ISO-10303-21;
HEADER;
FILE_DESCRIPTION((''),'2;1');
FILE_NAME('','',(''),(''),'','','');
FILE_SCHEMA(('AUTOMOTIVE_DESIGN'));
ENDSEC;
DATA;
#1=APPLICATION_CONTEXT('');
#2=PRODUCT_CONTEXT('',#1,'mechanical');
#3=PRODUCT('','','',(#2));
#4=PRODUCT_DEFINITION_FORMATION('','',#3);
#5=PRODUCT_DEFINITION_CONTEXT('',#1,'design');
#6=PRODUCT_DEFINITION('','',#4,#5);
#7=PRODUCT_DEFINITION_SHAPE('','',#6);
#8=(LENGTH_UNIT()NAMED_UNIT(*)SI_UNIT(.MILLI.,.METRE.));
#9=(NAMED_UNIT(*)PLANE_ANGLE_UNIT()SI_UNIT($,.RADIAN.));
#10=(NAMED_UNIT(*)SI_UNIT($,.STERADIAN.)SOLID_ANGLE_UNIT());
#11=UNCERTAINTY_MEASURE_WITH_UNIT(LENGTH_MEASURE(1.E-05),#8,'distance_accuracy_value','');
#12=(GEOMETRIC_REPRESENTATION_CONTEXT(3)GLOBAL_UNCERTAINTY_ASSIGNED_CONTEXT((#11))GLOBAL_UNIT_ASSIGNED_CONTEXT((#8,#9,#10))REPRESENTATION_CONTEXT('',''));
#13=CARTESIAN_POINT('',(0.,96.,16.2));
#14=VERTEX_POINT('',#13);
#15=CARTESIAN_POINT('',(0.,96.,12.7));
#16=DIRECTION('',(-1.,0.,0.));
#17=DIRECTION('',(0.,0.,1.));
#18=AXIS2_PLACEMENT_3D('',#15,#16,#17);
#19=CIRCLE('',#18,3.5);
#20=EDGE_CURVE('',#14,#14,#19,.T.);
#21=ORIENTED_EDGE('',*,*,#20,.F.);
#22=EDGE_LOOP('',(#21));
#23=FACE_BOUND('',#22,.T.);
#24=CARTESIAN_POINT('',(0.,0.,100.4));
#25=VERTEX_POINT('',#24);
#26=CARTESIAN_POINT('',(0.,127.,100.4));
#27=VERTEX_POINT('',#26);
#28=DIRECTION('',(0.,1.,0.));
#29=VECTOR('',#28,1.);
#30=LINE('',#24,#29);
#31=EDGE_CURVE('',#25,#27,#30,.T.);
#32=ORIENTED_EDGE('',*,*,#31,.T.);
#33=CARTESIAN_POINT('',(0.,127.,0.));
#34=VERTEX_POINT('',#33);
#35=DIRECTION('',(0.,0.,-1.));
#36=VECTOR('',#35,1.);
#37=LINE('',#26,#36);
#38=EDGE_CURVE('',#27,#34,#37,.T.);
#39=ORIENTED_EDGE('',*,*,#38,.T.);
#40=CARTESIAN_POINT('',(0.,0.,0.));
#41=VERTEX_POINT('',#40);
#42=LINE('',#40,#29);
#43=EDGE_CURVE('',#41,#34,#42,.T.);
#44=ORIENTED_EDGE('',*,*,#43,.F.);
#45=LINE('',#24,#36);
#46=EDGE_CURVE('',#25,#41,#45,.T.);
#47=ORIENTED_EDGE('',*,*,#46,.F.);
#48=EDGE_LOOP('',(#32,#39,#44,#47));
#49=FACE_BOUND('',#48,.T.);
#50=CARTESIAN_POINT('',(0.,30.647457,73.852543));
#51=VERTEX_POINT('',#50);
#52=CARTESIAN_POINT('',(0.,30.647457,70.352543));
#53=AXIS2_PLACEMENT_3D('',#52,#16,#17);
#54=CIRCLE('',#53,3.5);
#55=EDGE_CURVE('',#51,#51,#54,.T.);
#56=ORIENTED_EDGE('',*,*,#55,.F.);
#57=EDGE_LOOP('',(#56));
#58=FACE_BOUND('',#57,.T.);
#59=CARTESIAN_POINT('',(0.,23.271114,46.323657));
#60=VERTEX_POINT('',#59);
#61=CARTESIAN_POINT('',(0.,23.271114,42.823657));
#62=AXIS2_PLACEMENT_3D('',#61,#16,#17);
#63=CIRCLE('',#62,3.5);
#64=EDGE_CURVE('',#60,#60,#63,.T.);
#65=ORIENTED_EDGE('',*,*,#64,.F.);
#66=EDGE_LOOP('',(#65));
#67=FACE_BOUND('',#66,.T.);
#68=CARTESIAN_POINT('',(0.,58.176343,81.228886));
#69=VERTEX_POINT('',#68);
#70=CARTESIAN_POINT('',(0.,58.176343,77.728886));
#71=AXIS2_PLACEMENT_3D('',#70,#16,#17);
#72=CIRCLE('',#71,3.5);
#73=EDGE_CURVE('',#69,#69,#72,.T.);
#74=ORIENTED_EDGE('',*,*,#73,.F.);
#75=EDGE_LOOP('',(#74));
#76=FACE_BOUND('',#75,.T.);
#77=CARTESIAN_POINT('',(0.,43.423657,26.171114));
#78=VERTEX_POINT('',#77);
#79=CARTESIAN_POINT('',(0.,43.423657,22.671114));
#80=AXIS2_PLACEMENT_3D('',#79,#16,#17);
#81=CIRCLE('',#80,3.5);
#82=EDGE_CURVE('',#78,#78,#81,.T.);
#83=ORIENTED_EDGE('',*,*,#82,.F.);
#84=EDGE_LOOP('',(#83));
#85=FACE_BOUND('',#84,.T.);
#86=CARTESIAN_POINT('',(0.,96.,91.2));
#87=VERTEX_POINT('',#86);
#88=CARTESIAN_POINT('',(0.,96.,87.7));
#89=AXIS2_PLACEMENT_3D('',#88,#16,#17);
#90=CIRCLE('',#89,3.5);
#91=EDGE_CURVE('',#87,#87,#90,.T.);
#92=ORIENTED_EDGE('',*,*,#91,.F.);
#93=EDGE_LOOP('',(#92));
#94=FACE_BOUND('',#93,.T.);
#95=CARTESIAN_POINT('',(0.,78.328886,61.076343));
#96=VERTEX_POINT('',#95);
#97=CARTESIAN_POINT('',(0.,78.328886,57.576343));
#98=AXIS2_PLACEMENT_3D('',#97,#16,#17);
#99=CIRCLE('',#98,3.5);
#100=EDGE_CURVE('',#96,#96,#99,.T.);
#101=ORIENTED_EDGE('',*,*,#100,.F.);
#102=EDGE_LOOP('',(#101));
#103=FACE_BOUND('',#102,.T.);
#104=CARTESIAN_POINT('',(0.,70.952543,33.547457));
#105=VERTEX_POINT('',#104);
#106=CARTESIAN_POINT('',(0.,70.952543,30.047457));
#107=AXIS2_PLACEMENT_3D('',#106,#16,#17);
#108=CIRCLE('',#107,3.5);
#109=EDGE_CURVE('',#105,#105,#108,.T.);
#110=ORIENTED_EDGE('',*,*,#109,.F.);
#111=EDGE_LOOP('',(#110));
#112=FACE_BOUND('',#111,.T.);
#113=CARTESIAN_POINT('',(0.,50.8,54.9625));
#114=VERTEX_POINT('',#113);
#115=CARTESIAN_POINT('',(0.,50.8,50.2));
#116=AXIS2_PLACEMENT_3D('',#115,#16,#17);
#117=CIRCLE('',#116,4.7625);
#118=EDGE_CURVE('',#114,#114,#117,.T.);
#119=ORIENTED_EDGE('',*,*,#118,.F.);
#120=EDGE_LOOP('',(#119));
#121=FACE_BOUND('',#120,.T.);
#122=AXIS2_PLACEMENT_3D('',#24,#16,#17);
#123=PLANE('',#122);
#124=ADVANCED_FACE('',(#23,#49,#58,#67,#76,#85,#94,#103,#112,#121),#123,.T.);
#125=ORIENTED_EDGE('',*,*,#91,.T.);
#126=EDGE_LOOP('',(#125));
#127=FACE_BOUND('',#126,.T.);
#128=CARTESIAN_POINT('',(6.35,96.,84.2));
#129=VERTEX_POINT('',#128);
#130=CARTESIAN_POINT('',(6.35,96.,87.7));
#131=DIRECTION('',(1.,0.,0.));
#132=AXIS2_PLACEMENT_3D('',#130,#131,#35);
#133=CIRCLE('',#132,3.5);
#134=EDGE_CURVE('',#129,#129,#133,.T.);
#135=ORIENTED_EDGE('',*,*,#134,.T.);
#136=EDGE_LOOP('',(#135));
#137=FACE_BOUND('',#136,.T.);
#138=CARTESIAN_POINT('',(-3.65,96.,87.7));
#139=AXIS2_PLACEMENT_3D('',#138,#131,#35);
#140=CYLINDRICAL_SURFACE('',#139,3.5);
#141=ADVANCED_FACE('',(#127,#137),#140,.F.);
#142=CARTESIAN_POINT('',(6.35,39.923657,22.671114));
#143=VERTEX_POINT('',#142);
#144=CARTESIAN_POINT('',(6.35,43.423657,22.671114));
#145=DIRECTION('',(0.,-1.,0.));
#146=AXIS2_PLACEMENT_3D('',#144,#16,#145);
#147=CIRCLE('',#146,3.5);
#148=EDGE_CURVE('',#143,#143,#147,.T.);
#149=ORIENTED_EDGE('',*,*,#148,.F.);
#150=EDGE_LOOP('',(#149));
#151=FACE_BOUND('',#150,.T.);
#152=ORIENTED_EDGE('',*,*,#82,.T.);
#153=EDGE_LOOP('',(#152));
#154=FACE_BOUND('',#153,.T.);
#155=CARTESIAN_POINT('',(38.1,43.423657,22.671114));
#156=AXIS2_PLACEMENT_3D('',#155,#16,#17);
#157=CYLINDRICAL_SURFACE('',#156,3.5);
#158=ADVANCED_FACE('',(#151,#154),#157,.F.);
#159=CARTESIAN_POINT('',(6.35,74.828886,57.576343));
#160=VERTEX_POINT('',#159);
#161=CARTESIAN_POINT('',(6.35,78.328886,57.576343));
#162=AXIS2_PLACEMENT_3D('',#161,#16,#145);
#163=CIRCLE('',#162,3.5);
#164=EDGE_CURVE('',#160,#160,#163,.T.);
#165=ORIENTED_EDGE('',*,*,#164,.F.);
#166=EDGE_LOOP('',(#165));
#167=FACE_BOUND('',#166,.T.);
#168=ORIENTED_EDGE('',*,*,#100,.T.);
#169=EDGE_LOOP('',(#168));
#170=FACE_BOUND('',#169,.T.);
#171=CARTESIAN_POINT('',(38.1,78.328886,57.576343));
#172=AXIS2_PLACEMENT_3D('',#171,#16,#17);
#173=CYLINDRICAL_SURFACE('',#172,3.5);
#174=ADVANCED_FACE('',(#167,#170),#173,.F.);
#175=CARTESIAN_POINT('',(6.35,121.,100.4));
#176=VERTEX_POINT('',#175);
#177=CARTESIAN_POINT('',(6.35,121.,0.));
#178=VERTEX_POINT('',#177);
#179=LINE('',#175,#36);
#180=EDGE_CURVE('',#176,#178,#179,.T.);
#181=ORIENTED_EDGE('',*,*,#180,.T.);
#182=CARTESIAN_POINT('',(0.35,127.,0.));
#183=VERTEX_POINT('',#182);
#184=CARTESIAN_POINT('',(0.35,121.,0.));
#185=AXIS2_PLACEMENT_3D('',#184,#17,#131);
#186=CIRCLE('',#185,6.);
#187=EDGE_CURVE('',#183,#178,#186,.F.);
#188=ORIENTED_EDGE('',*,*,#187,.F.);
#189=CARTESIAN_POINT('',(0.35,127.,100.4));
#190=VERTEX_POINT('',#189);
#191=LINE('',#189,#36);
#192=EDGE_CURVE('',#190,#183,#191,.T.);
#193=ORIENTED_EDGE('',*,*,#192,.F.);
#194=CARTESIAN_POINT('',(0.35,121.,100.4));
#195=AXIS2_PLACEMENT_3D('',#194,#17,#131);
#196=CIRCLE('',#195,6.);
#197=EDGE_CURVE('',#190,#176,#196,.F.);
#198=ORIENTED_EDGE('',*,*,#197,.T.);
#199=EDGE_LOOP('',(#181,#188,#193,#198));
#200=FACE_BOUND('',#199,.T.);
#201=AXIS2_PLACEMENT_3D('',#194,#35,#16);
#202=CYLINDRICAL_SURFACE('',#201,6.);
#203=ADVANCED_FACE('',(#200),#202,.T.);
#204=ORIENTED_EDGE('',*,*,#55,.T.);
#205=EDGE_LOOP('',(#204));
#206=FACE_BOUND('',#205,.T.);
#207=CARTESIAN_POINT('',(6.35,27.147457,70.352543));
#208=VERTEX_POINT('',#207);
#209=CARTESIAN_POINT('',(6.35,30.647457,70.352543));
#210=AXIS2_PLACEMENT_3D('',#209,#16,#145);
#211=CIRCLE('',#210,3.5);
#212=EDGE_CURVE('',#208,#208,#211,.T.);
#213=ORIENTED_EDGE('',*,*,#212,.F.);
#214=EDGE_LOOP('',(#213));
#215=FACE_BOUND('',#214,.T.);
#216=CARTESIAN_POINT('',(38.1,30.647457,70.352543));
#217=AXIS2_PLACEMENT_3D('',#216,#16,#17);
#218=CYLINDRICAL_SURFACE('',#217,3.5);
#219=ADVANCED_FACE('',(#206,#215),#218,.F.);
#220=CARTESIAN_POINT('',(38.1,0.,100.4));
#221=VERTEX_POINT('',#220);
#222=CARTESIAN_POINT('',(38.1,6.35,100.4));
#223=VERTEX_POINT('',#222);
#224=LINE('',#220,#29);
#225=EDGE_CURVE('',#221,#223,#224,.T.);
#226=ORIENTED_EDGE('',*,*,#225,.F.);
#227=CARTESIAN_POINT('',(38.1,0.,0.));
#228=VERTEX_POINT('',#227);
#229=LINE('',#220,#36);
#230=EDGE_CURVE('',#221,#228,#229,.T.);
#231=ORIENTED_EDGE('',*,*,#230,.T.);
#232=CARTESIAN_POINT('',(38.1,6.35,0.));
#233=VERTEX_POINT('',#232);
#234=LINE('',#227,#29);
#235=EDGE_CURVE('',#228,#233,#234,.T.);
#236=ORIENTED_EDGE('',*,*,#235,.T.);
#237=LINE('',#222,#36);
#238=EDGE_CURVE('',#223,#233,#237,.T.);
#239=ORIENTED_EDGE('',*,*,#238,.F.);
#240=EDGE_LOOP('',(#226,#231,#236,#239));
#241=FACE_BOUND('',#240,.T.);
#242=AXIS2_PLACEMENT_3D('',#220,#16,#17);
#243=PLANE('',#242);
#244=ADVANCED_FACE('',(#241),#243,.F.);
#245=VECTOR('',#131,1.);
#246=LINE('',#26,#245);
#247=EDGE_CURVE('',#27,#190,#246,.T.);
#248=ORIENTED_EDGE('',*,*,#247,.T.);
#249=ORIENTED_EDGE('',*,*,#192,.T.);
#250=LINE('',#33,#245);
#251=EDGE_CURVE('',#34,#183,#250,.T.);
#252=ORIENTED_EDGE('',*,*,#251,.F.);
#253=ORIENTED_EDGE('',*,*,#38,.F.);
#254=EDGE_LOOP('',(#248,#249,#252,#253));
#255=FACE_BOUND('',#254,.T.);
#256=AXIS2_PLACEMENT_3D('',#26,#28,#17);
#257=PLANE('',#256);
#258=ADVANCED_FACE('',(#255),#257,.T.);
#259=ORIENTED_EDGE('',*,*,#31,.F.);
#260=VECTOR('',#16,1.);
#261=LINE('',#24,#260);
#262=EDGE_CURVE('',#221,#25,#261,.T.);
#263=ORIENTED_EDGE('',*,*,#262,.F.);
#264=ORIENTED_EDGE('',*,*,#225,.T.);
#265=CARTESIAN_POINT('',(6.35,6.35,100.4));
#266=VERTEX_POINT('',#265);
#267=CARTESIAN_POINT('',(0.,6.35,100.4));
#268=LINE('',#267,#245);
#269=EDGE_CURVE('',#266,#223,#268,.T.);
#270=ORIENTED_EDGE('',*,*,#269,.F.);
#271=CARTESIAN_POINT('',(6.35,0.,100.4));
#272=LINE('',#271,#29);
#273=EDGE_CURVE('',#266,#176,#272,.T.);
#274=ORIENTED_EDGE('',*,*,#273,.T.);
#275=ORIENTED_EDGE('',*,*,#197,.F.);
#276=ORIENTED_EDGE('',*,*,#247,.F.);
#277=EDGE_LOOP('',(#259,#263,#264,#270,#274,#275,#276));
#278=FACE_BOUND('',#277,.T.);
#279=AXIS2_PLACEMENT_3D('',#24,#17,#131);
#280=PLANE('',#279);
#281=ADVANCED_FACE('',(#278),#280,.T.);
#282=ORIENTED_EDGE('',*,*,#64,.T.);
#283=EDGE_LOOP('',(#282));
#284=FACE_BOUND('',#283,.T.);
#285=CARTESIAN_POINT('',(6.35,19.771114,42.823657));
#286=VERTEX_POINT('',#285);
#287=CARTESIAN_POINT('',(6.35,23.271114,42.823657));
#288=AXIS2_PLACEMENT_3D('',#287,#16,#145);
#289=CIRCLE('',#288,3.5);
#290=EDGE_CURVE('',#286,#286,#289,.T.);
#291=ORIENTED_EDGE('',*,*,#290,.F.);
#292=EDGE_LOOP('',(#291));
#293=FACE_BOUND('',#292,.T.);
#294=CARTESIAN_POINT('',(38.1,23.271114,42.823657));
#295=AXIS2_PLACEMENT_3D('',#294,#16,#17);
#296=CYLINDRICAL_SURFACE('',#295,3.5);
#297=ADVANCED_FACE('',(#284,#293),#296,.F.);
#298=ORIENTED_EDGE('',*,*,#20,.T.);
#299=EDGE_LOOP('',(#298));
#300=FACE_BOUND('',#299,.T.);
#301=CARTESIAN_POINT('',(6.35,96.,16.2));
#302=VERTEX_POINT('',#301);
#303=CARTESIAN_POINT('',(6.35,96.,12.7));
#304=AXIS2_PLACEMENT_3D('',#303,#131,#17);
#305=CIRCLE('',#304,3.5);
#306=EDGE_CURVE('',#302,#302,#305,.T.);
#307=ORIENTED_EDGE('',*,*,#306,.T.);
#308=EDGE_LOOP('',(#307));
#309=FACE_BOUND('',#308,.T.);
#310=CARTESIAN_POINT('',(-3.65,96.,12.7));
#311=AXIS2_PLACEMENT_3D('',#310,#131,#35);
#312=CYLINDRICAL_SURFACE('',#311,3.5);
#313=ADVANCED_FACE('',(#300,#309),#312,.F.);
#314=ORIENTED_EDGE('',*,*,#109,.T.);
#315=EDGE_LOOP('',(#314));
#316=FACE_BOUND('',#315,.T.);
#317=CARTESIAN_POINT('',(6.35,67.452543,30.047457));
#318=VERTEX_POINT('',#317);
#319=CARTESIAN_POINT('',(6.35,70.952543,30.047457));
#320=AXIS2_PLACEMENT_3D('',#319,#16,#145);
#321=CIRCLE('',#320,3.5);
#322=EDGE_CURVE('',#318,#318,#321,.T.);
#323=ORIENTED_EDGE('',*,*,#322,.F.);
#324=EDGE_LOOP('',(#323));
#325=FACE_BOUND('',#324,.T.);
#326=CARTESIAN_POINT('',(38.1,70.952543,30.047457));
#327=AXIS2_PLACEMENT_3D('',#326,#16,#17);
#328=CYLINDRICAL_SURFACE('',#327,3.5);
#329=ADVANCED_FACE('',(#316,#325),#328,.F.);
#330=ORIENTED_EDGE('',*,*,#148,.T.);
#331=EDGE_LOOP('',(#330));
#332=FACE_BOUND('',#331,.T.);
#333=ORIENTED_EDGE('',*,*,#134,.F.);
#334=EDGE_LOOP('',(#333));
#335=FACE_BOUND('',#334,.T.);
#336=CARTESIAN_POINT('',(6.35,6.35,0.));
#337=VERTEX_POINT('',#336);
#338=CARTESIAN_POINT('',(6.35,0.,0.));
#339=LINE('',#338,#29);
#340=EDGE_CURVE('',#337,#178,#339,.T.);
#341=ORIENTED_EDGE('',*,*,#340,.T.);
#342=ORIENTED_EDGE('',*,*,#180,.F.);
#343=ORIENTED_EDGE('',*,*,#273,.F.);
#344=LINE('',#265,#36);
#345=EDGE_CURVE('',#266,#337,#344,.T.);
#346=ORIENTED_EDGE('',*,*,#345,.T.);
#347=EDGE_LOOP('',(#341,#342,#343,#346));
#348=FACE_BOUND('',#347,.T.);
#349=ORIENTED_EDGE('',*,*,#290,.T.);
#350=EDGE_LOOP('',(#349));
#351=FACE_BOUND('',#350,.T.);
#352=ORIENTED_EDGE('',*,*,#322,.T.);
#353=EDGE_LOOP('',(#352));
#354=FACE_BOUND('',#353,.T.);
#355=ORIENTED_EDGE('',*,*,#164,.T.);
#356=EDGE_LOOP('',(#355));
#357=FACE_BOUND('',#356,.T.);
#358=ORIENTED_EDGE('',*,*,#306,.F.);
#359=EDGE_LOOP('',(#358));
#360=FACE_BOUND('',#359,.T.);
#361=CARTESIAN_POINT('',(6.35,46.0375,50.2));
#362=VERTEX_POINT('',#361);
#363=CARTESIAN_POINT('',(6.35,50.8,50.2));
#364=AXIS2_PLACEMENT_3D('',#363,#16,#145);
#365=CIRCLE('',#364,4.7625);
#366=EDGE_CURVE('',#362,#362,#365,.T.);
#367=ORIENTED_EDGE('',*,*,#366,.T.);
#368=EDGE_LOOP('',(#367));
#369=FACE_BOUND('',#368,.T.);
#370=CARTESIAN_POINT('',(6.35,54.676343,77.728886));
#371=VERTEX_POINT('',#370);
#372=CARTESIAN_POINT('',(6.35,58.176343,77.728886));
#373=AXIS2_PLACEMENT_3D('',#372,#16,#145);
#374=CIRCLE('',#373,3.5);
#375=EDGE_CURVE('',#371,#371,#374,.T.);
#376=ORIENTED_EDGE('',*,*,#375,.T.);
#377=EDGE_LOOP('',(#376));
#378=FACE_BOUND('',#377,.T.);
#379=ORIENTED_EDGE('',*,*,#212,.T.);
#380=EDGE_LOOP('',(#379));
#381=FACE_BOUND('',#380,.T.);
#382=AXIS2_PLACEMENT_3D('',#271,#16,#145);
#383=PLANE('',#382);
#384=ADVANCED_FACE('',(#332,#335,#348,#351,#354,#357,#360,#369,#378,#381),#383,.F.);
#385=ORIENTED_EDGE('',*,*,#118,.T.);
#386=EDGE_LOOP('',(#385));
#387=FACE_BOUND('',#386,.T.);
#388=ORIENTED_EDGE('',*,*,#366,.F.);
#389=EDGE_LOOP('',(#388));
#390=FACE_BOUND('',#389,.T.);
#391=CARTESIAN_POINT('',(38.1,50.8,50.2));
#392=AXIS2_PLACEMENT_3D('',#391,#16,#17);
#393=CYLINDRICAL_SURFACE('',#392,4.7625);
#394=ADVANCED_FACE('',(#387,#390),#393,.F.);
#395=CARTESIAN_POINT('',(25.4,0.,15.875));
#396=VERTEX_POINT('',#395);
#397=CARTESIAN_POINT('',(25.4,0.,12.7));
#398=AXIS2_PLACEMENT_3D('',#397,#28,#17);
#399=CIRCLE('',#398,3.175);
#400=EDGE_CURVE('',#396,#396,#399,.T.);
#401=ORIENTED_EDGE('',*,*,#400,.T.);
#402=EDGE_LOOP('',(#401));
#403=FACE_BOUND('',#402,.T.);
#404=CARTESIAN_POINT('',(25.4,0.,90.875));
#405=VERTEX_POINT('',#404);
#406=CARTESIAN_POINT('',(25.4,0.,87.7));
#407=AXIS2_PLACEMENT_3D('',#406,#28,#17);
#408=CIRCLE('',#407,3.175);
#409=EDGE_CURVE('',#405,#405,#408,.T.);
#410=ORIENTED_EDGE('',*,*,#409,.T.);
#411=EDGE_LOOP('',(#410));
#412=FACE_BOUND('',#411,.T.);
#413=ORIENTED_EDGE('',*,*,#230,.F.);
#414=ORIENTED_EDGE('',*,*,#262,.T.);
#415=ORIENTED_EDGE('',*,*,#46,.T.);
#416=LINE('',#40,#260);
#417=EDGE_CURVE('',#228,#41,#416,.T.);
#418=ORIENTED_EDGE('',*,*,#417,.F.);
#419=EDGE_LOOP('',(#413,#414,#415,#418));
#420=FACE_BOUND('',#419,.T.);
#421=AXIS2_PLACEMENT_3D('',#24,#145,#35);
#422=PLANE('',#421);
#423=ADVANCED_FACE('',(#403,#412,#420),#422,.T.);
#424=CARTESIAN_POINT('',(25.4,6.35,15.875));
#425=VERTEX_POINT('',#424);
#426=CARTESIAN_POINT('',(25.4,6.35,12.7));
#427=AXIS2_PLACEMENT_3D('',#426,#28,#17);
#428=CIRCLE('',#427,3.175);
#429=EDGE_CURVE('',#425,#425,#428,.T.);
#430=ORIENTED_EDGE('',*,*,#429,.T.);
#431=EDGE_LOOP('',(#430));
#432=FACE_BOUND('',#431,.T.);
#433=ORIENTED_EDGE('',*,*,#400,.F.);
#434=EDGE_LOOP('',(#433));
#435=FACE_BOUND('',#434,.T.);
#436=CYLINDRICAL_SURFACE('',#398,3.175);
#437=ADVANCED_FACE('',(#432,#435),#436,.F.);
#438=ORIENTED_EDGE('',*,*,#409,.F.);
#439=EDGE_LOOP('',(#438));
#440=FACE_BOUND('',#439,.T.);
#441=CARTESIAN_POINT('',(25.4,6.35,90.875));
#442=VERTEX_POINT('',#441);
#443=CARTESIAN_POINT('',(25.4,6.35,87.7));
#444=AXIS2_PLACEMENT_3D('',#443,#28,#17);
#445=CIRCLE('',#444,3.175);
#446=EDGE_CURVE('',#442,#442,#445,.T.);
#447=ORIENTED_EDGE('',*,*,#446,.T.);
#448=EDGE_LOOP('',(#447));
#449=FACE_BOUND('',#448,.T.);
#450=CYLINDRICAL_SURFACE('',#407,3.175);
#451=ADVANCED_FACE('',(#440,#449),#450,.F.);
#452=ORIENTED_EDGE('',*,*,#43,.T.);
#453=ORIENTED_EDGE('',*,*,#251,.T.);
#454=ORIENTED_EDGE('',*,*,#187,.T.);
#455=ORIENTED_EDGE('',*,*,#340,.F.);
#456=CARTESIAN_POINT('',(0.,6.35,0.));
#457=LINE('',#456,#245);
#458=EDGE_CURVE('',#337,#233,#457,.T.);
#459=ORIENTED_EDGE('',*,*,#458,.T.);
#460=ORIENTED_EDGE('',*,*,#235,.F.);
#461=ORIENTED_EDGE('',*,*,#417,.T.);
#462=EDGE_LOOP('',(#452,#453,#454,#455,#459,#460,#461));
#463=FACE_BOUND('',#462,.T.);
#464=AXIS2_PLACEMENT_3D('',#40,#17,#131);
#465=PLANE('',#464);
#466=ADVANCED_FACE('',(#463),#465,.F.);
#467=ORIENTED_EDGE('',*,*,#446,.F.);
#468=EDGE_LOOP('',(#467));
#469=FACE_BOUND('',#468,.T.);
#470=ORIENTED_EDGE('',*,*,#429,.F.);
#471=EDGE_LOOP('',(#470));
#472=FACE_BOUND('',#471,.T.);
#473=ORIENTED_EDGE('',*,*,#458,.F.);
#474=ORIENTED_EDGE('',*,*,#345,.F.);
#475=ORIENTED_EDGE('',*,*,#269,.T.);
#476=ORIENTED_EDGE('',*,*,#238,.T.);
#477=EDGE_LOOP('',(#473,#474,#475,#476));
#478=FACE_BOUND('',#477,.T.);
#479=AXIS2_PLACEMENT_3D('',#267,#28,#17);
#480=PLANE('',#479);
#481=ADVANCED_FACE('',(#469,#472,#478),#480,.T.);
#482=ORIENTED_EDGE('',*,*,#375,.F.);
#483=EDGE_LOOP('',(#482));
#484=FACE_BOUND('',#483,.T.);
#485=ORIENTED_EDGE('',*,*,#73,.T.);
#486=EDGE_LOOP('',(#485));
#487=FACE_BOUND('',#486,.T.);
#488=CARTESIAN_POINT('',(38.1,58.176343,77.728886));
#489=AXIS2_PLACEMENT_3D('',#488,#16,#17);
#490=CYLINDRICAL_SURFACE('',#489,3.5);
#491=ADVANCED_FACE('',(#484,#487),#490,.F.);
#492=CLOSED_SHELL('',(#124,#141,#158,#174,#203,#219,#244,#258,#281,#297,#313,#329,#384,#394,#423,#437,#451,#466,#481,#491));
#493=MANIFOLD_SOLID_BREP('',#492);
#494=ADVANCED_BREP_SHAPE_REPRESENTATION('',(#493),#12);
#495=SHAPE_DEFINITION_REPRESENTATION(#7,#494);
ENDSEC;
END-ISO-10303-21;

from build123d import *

# Parameters (mm, degrees)
BOSS_EXTRUDE1_DEPTH     = 100.4
SKETCH2_R               = 4.7625
SKETCH2_R_2             = 3.5
CUT_EXTRUDE1_DEPTH      = 1
CUT_EXTRUDE1_DEPTH_BACK = 39.1
SKETCH3_R               = 3.175
CUT_EXTRUDE2_DEPTH      = 7.35
SKETCH5_R               = 3.5
CUT_EXTRUDE4_DEPTH      = 10


with BuildPart() as part:
    # Sketch1 → Boss-Extrude1 (new body)
    with BuildSketch(Plane.XY):
        with BuildLine():
            Line((0, 6.35), (0, 0))
            Line((0, 0), (38.1, 0))
            Line((38.1, 0), (38.1, 0.35))
            Line((38.1, 0.35), (38.1, 6.35))
            Line((38.1, 6.35), (32.1, 6.35))
            Line((32.1, 6.35), (6.35, 6.35))
            Line((6.35, 6.35), (6.35, 37.75))
            Line((6.35, 37.75), (6.35, 121))
            ThreePointArc((6.35, 121), (4.592640687, 125.242640687), (0.35, 127))
            Line((0.35, 127), (0, 127))
            Line((0, 127), (0, 6.35))
        make_face()
    extrude(amount=BOSS_EXTRUDE1_DEPTH)

    # Sketch2 → Cut-Extrude1 (cut, two sides)
    with BuildSketch(Plane.ZY) as cut_extrude1_sk:
        with Locations((50.2, 50.8)):
            Circle(SKETCH2_R)
        with Locations((57.576342785, 78.328886049)):
            Circle(SKETCH2_R_2)
        with Locations((30.047456736, 70.952543264)):
            Circle(SKETCH2_R_2)
        with Locations((22.671113951, 43.423657215)):
            Circle(SKETCH2_R_2)
        with Locations((42.823657215, 23.271113951)):
            Circle(SKETCH2_R_2)
        with Locations((70.352543264, 30.647456736)):
            Circle(SKETCH2_R_2)
        with Locations((77.728886049, 58.176342785)):
            Circle(SKETCH2_R_2)
    extrude(amount=CUT_EXTRUDE1_DEPTH, mode=Mode.SUBTRACT)
    extrude(cut_extrude1_sk.sketch, amount=-CUT_EXTRUDE1_DEPTH_BACK, mode=Mode.SUBTRACT)

    # Sketch3 → Cut-Extrude2 (cut, through all)
    with BuildSketch(Plane(origin=(0, 6.35, 0), x_dir=(1, 0, 0), z_dir=(0, 1, 0))):
        with Locations((25.4, -12.7)):
            Circle(SKETCH3_R)
        with Locations((25.4, -87.7)):
            Circle(SKETCH3_R)
    extrude(amount=-CUT_EXTRUDE2_DEPTH, mode=Mode.SUBTRACT)

    # Sketch5 → Cut-Extrude4 (cut)
    with BuildSketch(Plane(origin=(6.35, 0, 0), x_dir=(0, 0, -1), z_dir=(1, 0, 0))):
        with Locations((-87.7, 96)):
            Circle(SKETCH5_R)
        with Locations((-12.7, 96)):
            Circle(SKETCH5_R)
    extrude(amount=-CUT_EXTRUDE4_DEPTH, mode=Mode.SUBTRACT)


solid = part.part
